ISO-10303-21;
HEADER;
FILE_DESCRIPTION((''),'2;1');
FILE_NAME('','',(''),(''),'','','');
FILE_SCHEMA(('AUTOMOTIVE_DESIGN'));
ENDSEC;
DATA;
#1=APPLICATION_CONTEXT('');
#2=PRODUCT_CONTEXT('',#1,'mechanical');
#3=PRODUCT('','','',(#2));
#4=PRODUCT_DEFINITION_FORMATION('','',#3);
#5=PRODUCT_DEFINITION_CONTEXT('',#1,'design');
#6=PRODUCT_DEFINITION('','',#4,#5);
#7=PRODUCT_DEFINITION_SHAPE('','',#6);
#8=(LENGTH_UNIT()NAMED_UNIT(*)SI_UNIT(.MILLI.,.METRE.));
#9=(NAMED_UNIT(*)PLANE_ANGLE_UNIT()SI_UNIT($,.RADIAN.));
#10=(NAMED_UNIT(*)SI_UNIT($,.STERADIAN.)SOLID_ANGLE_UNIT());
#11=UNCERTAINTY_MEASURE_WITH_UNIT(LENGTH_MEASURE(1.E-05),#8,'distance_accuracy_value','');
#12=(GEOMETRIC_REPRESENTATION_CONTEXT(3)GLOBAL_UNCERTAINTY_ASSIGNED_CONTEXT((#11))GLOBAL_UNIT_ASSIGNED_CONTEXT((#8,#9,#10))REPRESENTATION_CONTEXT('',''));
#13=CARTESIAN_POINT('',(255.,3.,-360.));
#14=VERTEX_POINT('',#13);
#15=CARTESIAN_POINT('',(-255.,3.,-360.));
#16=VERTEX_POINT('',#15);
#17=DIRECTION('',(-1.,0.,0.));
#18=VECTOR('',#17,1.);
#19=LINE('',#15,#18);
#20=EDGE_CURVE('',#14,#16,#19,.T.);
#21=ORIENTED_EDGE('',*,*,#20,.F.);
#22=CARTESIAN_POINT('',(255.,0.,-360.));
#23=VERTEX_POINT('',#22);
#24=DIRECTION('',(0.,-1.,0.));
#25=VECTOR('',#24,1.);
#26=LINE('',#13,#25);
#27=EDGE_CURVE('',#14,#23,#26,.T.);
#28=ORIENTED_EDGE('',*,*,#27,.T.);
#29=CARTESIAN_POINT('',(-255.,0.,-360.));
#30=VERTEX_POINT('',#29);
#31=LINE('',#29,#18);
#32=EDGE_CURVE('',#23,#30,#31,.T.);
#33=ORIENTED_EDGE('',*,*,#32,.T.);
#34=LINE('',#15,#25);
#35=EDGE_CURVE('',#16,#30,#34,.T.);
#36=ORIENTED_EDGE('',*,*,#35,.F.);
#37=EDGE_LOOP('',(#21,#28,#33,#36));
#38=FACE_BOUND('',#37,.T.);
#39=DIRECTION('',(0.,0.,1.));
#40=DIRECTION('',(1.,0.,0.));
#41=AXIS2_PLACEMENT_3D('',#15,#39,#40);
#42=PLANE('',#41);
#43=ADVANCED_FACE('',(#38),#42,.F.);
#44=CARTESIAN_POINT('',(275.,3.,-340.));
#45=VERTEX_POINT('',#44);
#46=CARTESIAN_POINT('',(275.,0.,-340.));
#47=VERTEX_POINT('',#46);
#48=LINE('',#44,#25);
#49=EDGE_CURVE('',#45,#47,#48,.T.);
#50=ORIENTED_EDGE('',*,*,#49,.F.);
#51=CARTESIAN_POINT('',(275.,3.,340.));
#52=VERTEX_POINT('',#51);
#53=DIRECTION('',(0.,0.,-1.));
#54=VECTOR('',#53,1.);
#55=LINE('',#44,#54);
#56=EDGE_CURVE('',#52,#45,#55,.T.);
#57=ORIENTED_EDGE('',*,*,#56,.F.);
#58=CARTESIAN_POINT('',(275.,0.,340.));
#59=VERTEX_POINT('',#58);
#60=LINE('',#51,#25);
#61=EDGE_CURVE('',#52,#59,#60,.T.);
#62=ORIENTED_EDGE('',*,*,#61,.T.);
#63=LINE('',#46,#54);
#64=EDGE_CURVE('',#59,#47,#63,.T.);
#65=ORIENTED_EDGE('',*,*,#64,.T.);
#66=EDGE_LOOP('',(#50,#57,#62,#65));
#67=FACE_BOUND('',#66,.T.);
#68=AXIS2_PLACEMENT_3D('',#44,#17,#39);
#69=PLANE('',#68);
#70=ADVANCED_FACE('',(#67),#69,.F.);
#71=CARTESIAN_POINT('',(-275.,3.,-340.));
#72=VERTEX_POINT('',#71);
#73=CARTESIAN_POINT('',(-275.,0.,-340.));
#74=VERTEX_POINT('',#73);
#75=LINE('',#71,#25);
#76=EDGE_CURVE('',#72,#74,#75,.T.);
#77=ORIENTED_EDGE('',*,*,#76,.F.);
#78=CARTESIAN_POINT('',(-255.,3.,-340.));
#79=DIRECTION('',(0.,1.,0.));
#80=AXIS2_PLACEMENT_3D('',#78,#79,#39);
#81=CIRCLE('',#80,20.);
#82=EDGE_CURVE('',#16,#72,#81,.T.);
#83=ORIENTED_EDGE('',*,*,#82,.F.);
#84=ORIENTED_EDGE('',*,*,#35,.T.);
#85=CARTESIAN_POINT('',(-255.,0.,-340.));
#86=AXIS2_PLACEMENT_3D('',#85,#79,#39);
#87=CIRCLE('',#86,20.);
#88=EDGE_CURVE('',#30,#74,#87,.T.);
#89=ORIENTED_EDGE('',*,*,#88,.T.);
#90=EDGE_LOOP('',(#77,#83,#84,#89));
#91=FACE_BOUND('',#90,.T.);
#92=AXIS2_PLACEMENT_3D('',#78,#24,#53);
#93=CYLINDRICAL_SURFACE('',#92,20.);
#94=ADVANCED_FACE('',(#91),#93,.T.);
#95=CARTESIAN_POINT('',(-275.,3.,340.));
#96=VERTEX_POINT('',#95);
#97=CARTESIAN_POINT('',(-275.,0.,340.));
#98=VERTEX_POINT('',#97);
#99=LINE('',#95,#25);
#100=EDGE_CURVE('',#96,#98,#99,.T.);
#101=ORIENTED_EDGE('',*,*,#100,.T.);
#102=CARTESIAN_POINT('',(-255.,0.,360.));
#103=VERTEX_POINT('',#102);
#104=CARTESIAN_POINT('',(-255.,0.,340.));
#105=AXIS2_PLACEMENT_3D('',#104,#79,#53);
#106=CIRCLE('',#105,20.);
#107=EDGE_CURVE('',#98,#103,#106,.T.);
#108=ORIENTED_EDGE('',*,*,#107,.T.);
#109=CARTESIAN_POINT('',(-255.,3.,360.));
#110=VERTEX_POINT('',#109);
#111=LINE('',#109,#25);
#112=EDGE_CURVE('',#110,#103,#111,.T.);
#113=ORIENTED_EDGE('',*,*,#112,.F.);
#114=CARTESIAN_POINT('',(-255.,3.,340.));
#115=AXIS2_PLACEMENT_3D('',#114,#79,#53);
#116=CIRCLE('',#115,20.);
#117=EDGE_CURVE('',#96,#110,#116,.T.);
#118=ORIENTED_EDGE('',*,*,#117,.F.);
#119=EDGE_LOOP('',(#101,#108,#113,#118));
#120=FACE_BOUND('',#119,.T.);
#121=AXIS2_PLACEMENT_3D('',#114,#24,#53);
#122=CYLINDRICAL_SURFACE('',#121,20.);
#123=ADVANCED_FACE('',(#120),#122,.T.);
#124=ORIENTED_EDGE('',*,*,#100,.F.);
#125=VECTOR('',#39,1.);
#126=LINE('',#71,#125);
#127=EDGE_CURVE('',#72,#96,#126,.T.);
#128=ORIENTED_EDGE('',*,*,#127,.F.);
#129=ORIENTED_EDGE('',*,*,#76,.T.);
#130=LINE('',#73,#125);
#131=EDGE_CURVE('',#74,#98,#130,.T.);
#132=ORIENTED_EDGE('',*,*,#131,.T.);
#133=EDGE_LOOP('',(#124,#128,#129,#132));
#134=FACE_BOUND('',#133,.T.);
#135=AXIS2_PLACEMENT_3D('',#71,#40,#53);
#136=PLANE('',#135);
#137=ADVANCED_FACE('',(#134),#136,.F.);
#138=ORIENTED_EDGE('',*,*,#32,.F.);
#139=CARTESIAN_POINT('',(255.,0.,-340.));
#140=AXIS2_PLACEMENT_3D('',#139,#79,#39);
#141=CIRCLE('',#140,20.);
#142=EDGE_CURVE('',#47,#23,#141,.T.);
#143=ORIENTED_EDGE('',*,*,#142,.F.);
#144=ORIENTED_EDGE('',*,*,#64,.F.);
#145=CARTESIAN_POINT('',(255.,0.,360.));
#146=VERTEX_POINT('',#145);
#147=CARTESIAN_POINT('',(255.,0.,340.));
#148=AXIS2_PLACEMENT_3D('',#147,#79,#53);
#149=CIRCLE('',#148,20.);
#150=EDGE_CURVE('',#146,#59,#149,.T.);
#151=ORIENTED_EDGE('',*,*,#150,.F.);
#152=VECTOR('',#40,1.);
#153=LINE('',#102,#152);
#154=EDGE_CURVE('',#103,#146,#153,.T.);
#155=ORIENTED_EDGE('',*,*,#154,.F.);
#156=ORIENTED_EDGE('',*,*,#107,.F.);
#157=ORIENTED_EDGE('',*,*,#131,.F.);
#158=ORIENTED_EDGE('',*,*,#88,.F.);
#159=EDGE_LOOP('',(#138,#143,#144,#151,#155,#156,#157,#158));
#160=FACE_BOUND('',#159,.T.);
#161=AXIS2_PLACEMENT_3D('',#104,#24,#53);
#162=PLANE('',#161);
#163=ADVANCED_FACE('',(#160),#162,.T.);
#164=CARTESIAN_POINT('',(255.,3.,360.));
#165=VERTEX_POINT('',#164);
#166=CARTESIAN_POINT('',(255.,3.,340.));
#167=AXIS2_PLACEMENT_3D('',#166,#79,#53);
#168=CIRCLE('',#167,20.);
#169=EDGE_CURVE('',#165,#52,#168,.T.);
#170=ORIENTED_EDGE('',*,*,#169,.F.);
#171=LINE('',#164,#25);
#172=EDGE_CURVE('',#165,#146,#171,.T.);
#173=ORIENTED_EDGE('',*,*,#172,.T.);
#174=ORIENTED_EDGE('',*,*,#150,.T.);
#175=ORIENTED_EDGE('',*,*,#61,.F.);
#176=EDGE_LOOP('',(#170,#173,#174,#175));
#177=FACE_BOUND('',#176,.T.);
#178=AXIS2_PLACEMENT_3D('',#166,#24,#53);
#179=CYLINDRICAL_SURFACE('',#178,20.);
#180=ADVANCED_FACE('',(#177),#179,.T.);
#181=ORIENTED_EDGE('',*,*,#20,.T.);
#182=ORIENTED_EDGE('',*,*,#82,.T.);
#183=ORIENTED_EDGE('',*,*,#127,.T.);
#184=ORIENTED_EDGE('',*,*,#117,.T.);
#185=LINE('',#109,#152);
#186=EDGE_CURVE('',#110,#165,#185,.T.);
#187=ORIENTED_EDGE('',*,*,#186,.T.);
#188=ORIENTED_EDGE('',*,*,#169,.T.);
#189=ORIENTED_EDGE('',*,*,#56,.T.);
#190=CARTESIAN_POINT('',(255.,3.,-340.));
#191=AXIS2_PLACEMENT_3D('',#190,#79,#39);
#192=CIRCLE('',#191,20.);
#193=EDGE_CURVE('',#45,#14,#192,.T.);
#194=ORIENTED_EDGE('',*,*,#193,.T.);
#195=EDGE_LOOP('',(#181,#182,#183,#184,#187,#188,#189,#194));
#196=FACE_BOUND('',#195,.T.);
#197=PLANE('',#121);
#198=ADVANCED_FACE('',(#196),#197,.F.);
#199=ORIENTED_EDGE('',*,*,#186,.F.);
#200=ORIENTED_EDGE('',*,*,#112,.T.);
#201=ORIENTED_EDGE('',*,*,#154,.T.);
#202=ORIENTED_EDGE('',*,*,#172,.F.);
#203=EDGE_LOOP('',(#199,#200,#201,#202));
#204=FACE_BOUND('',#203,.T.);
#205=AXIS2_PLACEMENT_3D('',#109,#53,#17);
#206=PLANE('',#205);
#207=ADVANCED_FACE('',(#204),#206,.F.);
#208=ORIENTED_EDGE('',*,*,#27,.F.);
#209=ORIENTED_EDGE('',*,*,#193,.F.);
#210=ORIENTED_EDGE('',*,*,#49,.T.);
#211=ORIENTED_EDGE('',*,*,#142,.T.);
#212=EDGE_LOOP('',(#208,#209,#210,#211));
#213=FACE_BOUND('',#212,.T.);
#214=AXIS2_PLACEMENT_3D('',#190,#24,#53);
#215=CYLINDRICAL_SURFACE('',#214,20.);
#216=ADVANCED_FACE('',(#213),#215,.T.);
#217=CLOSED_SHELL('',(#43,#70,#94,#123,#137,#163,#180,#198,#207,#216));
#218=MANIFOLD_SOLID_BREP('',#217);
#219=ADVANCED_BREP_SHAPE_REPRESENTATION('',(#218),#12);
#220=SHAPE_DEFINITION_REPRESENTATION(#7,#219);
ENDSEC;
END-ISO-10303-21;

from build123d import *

# Parameters (mm, degrees)
BOSS_EXTRUDE1_DEPTH = 3


with BuildPart() as part:
    # Sketch1 → Boss-Extrude1 (new body)
    with BuildSketch(Plane(origin=(0, 0, 0), x_dir=(1, 0, 0), z_dir=(0, 1, 0))):
        with BuildLine():
            Line((-255, 360), (255, 360))
            ThreePointArc((255, 360), (269.142135624, 354.142135624), (275, 340))
            Line((275, 340), (275, -340))
            ThreePointArc((275, -340), (269.142135624, -354.142135624), (255, -360))
            Line((255, -360), (-255, -360))
            ThreePointArc((-255, -360), (-269.142135624, -354.142135624), (-275, -340))
            Line((-275, -340), (-275, 340))
            ThreePointArc((-275, 340), (-269.142135624, 354.142135624), (-255, 360))
        make_face()
    extrude(amount=BOSS_EXTRUDE1_DEPTH)


solid = part.part
